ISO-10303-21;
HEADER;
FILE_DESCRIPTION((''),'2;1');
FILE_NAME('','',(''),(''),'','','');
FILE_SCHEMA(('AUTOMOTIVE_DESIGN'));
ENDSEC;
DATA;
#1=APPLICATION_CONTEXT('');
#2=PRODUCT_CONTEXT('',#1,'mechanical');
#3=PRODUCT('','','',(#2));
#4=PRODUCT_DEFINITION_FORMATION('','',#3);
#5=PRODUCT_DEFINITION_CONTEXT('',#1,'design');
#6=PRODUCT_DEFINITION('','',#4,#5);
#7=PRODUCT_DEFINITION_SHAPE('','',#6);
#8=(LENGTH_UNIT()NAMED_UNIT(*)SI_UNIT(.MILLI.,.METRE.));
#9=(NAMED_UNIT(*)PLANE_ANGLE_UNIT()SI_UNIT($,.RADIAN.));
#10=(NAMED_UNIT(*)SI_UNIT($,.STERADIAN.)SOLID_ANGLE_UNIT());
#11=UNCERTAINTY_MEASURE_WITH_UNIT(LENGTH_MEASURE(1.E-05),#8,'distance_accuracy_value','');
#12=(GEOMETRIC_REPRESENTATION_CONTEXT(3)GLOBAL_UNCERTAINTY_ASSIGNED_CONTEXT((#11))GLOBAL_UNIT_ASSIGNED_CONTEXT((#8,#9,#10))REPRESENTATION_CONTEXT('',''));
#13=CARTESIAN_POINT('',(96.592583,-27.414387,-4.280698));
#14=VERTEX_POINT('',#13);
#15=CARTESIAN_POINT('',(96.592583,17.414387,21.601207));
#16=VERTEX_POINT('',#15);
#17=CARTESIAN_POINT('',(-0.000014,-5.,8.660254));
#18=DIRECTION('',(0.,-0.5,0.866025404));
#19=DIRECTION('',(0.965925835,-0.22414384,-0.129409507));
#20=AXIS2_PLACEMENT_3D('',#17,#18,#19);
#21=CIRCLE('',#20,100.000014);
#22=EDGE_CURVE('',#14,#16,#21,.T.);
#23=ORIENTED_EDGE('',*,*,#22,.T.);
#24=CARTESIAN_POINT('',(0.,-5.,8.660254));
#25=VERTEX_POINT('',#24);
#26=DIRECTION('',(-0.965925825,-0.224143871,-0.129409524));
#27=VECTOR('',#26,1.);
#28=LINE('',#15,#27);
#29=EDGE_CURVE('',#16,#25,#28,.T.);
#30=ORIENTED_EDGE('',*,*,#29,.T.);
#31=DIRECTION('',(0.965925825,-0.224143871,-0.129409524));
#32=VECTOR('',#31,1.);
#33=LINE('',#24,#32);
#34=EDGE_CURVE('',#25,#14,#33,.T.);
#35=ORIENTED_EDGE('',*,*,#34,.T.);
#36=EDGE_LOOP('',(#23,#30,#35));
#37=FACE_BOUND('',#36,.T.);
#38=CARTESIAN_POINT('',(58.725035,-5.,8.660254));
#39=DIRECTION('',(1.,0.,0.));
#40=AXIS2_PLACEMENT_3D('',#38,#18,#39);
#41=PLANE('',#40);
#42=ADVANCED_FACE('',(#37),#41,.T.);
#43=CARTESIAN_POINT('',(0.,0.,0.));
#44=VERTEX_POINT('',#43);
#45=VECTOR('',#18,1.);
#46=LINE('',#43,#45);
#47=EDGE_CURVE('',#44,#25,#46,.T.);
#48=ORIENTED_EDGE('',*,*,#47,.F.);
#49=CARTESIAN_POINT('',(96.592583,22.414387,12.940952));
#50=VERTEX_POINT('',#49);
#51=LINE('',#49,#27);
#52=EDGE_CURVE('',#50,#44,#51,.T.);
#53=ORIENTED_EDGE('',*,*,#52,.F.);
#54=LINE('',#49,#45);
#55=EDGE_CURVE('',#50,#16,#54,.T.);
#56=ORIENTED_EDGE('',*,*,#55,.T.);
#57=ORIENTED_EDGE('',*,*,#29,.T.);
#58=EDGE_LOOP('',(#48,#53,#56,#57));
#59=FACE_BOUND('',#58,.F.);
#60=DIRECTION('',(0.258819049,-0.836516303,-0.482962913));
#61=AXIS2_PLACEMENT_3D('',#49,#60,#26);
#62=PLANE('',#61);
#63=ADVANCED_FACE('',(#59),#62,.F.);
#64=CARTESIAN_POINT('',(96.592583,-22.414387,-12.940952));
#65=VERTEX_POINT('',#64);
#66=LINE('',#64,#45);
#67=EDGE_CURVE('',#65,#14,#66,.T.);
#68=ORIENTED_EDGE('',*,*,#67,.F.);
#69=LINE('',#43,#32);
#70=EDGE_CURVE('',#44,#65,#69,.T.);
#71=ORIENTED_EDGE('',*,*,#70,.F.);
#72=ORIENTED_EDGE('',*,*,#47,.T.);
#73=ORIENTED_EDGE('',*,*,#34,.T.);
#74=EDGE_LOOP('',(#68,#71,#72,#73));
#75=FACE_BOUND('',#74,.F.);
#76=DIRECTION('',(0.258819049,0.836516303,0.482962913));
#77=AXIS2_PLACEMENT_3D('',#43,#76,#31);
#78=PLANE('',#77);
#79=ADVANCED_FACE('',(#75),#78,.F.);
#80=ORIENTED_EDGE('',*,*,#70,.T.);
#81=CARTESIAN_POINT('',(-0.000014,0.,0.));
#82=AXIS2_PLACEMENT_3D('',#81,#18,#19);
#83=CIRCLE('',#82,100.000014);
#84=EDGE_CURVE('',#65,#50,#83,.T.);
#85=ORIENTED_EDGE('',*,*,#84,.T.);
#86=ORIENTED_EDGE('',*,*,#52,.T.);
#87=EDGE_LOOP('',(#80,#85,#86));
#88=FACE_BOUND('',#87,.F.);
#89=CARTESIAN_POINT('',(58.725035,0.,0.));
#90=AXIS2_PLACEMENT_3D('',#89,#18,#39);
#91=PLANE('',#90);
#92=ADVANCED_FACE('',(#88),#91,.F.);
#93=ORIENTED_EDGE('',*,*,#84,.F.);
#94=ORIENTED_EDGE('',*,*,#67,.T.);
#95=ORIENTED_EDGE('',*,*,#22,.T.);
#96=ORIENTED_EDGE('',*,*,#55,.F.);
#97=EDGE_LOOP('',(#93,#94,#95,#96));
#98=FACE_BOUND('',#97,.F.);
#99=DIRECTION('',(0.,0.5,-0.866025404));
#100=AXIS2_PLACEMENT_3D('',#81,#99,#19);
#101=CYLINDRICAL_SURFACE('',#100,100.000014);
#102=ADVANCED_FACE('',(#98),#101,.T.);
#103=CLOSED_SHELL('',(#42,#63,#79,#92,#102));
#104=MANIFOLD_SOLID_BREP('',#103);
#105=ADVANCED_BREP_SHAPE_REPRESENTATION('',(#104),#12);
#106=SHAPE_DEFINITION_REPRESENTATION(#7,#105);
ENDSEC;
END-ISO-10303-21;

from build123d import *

# Parameters (mm, degrees)
F1_DEPTH = 10
F3_ANGLE = 30


with BuildPart() as f1:
    # F0 (on Top) → F1 (new body)
    with BuildSketch(Plane.XY):
        with BuildLine():
            Line((96.592583, 25.881905), (0, 0))
            Line((0, 0), (96.592583, -25.881905))
            ThreePointArc((96.592583, -25.881905), (100, 0), (96.592583, 25.881905))
        make_face()
    extrude(amount=F1_DEPTH)


with BuildPart() as f1_1:
    # F3: moved
    add(f1.part.rotate(Axis((60.395431, 0, 0), (1, 0, 0)), F3_ANGLE))


solid = f1_1.part
